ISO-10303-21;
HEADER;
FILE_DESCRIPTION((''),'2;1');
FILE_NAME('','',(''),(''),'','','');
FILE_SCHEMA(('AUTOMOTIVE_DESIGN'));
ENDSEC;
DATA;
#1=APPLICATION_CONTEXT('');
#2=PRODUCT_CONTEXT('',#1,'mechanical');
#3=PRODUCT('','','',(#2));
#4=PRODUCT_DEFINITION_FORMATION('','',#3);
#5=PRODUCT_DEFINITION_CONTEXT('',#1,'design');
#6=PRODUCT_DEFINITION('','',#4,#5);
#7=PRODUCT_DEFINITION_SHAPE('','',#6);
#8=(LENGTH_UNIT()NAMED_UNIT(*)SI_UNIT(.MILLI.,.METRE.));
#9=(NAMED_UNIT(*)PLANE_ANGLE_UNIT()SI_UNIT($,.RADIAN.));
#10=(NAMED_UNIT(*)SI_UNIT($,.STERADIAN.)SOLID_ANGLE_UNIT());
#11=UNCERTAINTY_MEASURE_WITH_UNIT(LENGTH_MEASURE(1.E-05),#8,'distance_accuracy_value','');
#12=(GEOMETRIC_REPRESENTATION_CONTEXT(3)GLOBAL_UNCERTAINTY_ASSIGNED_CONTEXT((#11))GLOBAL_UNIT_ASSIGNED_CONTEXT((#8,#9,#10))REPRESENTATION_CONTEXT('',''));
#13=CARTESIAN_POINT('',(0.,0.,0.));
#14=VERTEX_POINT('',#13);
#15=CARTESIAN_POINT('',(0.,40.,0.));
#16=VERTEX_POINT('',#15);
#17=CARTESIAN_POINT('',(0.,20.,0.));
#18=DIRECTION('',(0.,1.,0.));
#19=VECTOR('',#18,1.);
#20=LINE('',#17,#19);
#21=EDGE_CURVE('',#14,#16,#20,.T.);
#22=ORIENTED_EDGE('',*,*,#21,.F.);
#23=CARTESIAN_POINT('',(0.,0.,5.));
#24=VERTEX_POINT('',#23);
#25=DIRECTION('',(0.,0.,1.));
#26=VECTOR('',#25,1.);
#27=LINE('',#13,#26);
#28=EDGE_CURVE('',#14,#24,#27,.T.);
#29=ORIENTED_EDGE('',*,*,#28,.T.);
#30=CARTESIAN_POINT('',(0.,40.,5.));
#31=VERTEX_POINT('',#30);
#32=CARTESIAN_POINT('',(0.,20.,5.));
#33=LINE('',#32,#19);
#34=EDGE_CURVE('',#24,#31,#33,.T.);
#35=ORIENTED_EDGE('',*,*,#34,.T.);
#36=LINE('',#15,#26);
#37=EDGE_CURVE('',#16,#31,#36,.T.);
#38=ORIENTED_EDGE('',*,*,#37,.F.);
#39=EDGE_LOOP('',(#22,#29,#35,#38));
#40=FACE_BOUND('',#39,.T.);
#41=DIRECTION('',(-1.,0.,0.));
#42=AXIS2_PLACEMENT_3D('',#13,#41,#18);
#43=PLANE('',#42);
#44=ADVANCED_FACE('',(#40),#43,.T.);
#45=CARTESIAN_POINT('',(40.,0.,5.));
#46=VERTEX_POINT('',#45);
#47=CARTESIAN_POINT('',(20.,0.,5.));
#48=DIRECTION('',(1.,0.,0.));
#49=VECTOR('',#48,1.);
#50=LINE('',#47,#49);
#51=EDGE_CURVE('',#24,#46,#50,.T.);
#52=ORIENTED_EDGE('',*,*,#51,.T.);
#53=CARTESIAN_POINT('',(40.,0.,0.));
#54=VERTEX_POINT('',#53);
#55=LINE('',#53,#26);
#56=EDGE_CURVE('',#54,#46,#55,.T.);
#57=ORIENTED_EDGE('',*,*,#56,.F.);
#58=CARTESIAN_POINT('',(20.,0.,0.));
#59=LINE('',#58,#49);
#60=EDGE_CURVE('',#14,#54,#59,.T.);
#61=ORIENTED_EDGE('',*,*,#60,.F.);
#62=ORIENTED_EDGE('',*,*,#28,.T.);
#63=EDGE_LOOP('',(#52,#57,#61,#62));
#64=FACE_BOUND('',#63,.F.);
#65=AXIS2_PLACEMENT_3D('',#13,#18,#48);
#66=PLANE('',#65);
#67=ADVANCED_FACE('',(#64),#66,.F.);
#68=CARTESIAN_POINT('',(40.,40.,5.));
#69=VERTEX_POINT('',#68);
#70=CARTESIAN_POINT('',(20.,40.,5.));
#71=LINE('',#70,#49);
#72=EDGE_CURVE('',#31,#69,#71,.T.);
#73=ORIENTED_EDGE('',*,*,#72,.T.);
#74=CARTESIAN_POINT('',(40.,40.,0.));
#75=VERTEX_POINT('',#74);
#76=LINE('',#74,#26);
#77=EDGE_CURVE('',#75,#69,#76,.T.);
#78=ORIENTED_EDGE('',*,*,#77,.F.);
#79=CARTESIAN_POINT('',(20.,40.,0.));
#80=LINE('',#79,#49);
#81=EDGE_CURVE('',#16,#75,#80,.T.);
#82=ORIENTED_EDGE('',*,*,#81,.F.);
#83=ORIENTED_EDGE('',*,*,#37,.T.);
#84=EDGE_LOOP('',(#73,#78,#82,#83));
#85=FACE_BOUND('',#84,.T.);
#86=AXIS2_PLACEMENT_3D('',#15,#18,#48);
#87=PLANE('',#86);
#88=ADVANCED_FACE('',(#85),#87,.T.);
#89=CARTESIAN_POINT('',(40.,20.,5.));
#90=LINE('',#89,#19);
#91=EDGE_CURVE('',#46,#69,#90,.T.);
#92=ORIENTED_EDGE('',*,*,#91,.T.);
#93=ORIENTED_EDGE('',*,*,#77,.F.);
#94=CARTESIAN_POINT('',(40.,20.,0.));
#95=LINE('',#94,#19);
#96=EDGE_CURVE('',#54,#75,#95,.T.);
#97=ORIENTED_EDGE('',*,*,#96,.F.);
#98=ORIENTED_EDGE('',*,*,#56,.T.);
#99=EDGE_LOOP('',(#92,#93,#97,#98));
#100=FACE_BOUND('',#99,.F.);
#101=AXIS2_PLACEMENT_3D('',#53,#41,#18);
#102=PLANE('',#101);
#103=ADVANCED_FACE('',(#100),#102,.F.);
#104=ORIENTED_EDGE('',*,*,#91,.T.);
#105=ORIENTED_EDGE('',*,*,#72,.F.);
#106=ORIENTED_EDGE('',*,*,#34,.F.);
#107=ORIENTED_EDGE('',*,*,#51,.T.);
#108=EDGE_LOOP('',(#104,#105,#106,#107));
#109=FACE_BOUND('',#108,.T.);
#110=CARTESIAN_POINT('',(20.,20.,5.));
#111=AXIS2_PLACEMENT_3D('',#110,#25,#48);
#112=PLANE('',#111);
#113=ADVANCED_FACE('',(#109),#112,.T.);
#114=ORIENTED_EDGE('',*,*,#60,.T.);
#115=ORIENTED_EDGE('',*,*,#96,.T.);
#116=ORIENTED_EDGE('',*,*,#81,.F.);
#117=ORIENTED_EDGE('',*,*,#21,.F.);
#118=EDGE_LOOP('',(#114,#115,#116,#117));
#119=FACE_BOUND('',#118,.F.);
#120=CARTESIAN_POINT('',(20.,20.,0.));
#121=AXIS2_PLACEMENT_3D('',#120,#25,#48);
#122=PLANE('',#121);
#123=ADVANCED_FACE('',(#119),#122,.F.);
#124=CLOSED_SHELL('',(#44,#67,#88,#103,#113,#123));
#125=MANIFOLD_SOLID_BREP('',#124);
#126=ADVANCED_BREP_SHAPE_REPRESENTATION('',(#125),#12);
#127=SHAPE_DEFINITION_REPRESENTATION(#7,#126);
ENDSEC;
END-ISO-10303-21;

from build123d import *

# Parameters (mm, degrees)
SKETCH_W  = 40
SKETCH_H  = 40
PAD_DEPTH = 5


with BuildPart() as part:
    # Sketch → Pad (new body)
    with BuildSketch(Plane.XY):
        with Locations((20, 20)):
            Rectangle(SKETCH_W, SKETCH_H)
    extrude(amount=PAD_DEPTH)


solid = part.part
